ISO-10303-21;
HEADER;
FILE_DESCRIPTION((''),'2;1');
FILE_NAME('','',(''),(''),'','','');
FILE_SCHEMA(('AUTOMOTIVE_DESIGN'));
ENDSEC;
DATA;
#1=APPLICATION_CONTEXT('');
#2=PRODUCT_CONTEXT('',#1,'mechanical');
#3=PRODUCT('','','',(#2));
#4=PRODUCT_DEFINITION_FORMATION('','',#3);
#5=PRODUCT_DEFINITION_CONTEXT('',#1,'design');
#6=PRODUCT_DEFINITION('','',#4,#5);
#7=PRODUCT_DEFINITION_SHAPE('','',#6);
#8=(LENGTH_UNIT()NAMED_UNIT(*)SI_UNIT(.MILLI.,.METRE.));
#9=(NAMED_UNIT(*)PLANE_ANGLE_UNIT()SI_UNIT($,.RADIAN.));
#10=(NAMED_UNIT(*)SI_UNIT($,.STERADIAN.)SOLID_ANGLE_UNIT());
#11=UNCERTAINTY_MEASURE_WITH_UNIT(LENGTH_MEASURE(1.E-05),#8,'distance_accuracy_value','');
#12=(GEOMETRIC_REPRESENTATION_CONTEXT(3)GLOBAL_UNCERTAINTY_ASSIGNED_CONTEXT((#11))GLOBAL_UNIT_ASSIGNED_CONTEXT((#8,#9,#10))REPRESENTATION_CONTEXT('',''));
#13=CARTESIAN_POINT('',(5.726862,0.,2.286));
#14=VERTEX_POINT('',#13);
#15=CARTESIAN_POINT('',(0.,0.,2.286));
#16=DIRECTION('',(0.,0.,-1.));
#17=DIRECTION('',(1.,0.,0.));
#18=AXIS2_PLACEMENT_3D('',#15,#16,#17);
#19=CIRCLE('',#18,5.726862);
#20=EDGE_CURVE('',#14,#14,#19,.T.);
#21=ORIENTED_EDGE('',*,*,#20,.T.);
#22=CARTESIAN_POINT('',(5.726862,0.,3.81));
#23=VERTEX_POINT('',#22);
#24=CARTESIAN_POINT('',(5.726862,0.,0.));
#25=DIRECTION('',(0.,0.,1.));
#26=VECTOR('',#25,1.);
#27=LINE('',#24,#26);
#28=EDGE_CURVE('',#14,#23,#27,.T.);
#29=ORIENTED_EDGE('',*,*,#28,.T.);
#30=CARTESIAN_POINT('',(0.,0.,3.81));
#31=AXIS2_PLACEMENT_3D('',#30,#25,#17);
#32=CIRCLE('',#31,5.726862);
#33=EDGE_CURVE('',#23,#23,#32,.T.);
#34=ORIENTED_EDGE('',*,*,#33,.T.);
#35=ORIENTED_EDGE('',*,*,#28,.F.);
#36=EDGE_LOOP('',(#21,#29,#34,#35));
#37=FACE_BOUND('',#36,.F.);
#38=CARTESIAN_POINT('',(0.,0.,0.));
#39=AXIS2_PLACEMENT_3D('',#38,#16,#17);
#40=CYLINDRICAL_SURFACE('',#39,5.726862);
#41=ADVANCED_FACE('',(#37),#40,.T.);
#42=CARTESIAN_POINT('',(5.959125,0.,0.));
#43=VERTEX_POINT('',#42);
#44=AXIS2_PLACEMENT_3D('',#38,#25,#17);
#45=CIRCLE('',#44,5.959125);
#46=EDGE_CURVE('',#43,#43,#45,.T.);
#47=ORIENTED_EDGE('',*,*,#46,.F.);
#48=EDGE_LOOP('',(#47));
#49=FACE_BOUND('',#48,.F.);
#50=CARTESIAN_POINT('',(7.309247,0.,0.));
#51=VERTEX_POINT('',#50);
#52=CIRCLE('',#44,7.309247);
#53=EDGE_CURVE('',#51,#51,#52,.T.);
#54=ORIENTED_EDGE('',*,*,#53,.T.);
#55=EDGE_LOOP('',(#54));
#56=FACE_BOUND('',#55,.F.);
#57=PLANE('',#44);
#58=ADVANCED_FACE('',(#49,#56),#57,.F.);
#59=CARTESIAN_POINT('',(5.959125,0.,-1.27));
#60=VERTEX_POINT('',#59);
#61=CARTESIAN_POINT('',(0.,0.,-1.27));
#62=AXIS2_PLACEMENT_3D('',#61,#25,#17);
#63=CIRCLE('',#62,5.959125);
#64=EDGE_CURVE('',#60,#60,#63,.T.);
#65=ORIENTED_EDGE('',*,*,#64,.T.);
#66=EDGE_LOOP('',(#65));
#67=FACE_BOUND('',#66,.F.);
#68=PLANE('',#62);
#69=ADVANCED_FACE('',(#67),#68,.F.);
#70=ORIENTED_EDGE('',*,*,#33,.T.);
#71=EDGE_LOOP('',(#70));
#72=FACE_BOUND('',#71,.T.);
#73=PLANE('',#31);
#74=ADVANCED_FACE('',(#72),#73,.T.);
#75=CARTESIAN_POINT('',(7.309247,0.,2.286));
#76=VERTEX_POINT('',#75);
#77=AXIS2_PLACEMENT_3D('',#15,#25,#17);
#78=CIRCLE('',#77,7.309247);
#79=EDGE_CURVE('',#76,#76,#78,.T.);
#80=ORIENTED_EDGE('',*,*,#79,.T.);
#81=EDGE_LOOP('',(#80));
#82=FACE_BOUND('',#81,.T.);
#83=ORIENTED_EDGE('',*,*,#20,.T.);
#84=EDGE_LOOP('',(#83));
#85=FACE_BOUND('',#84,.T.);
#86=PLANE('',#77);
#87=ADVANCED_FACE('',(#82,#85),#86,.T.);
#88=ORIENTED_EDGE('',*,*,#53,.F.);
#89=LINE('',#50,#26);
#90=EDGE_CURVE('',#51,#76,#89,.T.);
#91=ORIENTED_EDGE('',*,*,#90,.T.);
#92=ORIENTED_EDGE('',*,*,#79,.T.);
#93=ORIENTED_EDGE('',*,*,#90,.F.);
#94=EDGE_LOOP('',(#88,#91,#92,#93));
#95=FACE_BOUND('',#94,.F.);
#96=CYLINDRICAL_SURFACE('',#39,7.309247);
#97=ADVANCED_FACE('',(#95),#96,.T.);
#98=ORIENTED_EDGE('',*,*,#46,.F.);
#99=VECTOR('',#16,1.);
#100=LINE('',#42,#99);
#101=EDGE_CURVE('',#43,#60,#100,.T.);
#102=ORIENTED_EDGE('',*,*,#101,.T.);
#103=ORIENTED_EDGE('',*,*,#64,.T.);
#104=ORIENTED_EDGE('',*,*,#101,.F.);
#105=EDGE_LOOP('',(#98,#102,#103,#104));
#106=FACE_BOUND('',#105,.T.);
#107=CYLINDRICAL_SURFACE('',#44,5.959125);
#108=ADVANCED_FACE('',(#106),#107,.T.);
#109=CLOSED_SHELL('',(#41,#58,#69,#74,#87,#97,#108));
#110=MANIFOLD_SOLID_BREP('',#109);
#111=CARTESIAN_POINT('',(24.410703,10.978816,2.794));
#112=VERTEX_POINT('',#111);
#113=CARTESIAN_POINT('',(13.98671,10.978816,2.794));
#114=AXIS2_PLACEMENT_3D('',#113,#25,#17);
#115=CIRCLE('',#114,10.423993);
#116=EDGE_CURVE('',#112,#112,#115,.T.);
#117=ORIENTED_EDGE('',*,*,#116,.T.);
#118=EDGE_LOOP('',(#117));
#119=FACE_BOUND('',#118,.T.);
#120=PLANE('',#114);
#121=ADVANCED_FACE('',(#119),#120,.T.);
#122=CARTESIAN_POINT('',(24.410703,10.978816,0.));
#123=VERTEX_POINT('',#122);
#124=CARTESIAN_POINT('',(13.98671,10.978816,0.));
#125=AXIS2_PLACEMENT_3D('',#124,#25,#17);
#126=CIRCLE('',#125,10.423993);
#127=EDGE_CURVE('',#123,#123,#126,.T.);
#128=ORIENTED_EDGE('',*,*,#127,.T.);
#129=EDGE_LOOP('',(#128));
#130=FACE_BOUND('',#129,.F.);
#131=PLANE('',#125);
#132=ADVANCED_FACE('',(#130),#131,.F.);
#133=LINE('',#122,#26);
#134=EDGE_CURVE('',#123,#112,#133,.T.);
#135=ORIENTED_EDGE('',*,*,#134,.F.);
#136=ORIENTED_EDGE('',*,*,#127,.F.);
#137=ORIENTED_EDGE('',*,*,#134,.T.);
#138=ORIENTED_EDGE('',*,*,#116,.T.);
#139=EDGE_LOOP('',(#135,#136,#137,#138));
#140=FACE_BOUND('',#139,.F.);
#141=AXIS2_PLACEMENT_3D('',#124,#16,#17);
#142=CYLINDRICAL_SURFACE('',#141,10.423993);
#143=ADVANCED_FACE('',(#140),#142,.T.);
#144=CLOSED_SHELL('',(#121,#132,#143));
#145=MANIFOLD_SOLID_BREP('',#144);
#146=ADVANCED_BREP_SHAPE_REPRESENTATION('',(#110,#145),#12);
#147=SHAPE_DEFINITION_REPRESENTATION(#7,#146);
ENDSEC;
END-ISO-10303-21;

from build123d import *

# Parameters (mm, degrees)
F0_R     = 7.309247
F1_DEPTH = 2.286
F2_R     = 5.726862
F3_DEPTH = 3.81
F4_R     = 5.959125
F5_DEPTH = 1.27
F6_R     = 10.423993
F7_DEPTH = 2.794


with BuildPart() as f1:
    # F0 (on Top) → F1 (new body)
    with BuildSketch(Plane.XY):
        Circle(F0_R)
    extrude(amount=F1_DEPTH)

    # F2 (on Top) → F3 (join)
    with BuildSketch(Plane.XY):
        Circle(F2_R)
    extrude(amount=F3_DEPTH)

    # F4 (on Top) → F5 (join)
    with BuildSketch(Plane.XY):
        Circle(F4_R)
    extrude(amount=-F5_DEPTH)


with BuildPart() as f7:
    # F6 (on Top) → F7 (new body)
    with BuildSketch(Plane.XY):
        with Locations((13.98671, 10.978816)):
            Circle(F6_R)
    extrude(amount=F7_DEPTH)


solid = Compound([f1.part, f7.part])
